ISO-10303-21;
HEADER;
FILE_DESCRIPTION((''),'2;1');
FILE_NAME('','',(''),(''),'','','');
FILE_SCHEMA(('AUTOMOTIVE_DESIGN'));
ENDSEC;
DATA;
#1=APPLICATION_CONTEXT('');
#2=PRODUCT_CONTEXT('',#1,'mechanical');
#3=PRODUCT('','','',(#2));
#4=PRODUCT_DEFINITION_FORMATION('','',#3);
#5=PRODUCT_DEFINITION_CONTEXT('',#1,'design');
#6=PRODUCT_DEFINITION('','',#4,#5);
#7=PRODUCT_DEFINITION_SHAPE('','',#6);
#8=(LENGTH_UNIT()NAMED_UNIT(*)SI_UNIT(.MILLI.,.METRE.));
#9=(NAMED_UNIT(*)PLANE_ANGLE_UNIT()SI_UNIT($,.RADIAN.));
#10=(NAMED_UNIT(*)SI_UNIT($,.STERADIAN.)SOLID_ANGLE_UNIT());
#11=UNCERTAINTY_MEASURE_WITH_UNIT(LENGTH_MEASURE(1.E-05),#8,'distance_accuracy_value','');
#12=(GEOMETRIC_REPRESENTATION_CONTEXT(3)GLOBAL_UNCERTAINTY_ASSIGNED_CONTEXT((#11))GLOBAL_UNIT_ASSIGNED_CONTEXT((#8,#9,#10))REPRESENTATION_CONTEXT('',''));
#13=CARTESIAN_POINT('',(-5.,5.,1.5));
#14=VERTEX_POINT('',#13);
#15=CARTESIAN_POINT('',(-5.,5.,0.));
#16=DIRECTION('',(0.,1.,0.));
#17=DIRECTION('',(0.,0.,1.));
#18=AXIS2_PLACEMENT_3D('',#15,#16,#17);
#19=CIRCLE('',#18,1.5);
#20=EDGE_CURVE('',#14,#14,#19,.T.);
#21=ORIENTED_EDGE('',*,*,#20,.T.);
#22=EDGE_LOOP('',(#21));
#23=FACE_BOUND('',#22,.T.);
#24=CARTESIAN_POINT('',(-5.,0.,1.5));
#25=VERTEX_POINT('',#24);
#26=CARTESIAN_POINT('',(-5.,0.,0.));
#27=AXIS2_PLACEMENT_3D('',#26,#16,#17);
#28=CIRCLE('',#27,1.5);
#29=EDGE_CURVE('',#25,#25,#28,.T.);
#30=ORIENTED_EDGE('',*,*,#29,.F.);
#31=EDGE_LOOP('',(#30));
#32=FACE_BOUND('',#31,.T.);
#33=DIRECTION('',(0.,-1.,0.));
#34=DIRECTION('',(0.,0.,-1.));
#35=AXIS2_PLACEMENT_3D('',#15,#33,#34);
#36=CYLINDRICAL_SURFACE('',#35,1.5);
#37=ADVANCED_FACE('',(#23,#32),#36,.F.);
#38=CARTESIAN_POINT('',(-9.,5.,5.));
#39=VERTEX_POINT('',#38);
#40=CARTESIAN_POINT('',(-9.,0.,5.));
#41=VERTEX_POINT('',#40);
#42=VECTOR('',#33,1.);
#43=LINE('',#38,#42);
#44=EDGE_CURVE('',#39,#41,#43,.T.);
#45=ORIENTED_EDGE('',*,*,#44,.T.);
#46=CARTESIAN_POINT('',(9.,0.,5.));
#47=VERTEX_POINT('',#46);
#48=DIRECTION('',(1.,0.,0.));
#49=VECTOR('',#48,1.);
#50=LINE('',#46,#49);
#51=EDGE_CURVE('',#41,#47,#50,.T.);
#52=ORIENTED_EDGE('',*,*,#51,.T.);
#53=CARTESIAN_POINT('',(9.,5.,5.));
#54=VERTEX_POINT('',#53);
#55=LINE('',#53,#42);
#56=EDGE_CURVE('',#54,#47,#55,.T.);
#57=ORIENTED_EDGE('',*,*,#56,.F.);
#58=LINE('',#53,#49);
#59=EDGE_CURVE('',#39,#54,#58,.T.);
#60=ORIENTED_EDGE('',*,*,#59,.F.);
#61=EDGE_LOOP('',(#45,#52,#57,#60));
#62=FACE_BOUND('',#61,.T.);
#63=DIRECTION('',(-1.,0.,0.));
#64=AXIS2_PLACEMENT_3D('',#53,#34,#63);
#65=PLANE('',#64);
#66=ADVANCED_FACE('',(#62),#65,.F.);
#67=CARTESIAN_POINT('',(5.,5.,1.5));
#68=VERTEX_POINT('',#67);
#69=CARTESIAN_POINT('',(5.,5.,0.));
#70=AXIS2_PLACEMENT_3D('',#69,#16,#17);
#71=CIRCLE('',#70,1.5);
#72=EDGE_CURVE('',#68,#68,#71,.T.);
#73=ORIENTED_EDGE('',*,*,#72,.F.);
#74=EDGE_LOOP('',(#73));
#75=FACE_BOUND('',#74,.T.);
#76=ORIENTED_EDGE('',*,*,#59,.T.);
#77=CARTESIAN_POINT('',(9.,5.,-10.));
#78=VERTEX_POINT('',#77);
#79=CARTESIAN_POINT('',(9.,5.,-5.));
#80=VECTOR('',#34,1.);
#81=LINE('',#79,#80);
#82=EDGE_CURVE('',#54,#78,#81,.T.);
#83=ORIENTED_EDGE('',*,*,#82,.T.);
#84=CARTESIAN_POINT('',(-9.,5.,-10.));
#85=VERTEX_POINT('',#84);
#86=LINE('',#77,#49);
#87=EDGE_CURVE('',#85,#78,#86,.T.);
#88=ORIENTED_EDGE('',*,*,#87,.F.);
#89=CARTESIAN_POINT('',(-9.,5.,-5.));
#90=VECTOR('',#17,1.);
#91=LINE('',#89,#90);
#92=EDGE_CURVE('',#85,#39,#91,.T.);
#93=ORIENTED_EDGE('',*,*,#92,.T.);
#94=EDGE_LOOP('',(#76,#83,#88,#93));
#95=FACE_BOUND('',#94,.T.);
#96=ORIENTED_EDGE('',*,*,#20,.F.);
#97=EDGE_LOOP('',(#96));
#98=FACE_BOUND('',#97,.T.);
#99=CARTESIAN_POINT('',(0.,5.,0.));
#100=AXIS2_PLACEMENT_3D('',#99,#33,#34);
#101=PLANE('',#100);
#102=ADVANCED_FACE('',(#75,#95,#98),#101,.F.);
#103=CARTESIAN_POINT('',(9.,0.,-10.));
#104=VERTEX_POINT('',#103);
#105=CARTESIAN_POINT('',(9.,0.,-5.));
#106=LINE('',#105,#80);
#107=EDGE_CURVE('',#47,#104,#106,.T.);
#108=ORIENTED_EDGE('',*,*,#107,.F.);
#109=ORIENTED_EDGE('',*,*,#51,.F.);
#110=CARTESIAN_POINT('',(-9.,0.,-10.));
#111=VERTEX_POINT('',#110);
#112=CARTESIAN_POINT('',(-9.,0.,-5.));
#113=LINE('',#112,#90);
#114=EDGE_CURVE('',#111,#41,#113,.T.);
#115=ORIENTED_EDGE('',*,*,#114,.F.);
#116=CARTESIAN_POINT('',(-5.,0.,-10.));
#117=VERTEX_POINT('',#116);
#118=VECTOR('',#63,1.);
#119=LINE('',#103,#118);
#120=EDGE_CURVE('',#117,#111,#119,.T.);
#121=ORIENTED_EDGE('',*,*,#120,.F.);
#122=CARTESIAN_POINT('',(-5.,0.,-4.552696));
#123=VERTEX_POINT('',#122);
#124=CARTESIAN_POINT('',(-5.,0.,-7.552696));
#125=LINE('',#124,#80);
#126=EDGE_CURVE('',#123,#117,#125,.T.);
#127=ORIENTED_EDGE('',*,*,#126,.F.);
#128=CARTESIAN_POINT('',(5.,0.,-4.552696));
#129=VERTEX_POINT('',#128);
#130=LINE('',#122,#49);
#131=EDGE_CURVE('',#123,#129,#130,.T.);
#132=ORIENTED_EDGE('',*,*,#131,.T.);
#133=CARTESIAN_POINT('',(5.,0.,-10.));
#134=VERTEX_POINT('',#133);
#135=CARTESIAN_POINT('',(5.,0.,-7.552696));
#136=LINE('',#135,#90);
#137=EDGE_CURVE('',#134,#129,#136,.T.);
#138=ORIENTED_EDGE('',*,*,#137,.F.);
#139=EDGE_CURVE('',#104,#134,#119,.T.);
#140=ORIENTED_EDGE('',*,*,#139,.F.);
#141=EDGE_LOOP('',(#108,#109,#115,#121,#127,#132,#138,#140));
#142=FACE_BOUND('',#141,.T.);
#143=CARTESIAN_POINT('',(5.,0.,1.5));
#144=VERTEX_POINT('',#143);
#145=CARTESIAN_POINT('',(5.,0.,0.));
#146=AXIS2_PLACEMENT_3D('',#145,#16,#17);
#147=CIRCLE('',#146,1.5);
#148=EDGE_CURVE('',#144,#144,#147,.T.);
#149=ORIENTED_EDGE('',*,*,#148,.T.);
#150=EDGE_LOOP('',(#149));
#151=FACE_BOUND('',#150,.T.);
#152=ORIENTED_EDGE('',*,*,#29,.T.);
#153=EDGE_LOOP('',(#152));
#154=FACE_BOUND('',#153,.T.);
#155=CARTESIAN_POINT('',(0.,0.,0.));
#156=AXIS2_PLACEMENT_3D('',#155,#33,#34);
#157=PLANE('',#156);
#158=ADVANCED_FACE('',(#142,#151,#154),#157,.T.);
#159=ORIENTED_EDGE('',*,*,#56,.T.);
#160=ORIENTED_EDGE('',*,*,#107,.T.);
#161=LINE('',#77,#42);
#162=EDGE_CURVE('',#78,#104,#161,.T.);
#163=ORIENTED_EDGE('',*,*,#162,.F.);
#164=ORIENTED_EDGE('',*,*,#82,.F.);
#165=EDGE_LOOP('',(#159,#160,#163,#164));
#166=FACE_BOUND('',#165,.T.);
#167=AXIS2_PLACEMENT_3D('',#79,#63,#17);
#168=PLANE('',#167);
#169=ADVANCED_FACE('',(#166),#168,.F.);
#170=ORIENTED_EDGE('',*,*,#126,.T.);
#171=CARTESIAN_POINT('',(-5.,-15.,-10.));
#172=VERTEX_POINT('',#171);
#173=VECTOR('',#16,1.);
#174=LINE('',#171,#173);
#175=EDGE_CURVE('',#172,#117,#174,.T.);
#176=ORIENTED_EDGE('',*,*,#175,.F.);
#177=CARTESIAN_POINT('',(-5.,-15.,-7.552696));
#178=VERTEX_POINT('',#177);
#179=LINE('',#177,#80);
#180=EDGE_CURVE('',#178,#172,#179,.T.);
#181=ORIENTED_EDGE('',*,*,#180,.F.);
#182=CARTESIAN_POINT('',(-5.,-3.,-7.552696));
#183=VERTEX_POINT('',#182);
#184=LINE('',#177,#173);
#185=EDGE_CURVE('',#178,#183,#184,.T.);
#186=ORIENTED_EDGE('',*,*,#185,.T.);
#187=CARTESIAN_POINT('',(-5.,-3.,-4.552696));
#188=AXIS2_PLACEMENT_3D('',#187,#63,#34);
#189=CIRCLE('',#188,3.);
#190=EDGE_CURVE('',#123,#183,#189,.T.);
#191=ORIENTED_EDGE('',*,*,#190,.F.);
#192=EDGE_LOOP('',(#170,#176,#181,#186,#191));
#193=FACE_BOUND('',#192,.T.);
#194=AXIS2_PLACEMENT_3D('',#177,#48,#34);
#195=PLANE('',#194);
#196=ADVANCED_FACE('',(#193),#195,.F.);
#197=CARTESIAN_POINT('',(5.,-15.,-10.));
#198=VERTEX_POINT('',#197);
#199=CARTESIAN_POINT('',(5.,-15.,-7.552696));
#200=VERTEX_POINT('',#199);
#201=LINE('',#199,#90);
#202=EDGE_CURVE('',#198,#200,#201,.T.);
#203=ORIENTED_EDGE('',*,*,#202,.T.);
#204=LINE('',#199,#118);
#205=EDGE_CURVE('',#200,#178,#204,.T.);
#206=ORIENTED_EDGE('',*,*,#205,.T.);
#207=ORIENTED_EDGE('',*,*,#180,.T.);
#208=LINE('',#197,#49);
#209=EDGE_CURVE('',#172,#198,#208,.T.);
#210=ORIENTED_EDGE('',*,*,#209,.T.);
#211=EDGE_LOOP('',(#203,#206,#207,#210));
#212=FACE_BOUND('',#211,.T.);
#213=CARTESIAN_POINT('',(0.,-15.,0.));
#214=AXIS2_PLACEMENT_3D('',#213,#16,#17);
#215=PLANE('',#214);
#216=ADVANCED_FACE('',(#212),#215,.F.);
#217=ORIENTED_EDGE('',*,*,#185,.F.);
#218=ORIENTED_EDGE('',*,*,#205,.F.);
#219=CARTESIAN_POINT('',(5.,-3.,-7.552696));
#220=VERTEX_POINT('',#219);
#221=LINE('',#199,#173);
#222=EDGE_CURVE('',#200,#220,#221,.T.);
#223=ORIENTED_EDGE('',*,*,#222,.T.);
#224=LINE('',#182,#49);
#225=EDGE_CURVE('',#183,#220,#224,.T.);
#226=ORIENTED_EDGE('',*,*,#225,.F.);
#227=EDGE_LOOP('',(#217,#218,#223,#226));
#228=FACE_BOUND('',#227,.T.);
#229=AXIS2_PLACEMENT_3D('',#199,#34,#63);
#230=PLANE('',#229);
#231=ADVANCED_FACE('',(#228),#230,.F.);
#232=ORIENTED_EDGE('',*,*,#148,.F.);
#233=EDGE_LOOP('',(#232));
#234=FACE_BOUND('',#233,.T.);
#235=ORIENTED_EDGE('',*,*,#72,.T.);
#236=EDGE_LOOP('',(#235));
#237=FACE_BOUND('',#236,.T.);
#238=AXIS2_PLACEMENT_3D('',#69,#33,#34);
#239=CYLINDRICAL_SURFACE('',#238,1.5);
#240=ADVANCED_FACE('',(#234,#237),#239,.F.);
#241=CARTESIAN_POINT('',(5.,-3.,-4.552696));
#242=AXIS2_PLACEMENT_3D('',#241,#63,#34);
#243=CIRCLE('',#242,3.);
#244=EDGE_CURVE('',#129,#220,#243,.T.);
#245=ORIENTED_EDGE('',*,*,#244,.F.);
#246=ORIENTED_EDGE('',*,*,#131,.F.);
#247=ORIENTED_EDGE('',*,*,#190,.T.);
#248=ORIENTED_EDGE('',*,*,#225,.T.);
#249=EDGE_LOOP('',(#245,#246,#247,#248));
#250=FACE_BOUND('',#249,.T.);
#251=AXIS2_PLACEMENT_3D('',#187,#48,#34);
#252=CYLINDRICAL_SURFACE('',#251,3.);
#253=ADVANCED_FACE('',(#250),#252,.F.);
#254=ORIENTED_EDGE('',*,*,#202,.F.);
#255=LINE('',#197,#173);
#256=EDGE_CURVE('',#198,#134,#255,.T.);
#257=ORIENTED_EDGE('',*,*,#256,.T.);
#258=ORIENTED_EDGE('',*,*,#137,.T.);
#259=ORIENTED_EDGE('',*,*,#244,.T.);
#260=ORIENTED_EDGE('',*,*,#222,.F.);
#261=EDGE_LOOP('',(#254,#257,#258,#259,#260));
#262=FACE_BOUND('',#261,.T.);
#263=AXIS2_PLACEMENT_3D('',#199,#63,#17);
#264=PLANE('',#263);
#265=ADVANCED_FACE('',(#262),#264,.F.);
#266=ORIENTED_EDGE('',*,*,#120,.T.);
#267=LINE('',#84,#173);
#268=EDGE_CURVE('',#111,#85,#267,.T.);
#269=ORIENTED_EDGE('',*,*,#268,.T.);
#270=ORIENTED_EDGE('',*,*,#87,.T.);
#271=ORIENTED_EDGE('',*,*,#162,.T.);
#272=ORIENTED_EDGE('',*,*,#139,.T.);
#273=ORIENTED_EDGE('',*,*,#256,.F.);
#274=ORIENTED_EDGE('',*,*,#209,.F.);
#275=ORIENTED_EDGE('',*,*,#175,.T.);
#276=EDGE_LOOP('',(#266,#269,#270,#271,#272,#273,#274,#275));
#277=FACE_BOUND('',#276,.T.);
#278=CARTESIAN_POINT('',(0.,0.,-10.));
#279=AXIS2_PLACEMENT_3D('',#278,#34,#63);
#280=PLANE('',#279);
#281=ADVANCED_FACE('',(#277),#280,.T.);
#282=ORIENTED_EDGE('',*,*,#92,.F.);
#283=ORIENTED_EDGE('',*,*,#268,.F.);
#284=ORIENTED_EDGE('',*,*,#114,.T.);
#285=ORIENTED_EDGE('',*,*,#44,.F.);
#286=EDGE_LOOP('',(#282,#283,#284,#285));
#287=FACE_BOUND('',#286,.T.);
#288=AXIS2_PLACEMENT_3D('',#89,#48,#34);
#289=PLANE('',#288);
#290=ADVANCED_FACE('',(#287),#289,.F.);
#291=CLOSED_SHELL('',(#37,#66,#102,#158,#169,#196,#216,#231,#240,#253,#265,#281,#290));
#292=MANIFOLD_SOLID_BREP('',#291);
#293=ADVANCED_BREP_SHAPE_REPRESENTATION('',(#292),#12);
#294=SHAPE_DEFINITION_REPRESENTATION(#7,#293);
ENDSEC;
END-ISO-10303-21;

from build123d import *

# Parameters (mm, degrees)
SKETCH1_W           = 18
SKETCH1_H           = 10
SKETCH1_R           = 1.5
BOSS_EXTRUDE1_DEPTH = 5
SKETCH2_W           = 18
SKETCH2_H           = 5
BOSS_EXTRUDE2_DEPTH = 5
SKETCH3_W           = 10
SKETCH3_H           = 2.44730383
BOSS_EXTRUDE3_DEPTH = 15
BOSS_EXTRUDE5_DEPTH = 10


with BuildPart() as part:
    # Sketch1 → Boss-Extrude1 (new body)
    with BuildSketch(Plane(origin=(0, 0, 0), x_dir=(1, 0, 0), z_dir=(0, 1, 0))):
        Rectangle(SKETCH1_W, SKETCH1_H)
        with Locations(Location((-5, 0, 0), (0, 0, 270))):
            Circle(SKETCH1_R, mode=Mode.SUBTRACT)
        with Locations(Location((5, 0, 0), (0, 0, 270))):
            Circle(SKETCH1_R, mode=Mode.SUBTRACT)
    extrude(amount=BOSS_EXTRUDE1_DEPTH)

    # Sketch2 → Boss-Extrude2 (add)
    with BuildSketch(Plane(origin=(0, 0, -5), x_dir=(-1, 0, 0), z_dir=(0, 0, -1))):
        with Locations((0, 2.5)):
            Rectangle(SKETCH2_W, SKETCH2_H)
    extrude(amount=BOSS_EXTRUDE2_DEPTH)

    # Sketch3 → Boss-Extrude3 (add)
    with BuildSketch(Plane.XZ):
        with Locations((0, -8.776348085)):
            Rectangle(SKETCH3_W, SKETCH3_H)
    extrude(amount=BOSS_EXTRUDE3_DEPTH)

    # Sketch4 → Boss-Extrude5 (add)
    with BuildSketch(Plane(origin=(5, 0, 0), x_dir=(0, 0, -1), z_dir=(1, 0, 0))):
        with BuildLine():
            Line((4.55269617, 0), (7.55269617, 0))
            Line((7.55269617, 0), (7.55269617, -3))
            ThreePointArc((7.55269617, -3), (6.674016513, -0.878679656), (4.55269617, 0))
        make_face()
    extrude(amount=-BOSS_EXTRUDE5_DEPTH)


solid = part.part
